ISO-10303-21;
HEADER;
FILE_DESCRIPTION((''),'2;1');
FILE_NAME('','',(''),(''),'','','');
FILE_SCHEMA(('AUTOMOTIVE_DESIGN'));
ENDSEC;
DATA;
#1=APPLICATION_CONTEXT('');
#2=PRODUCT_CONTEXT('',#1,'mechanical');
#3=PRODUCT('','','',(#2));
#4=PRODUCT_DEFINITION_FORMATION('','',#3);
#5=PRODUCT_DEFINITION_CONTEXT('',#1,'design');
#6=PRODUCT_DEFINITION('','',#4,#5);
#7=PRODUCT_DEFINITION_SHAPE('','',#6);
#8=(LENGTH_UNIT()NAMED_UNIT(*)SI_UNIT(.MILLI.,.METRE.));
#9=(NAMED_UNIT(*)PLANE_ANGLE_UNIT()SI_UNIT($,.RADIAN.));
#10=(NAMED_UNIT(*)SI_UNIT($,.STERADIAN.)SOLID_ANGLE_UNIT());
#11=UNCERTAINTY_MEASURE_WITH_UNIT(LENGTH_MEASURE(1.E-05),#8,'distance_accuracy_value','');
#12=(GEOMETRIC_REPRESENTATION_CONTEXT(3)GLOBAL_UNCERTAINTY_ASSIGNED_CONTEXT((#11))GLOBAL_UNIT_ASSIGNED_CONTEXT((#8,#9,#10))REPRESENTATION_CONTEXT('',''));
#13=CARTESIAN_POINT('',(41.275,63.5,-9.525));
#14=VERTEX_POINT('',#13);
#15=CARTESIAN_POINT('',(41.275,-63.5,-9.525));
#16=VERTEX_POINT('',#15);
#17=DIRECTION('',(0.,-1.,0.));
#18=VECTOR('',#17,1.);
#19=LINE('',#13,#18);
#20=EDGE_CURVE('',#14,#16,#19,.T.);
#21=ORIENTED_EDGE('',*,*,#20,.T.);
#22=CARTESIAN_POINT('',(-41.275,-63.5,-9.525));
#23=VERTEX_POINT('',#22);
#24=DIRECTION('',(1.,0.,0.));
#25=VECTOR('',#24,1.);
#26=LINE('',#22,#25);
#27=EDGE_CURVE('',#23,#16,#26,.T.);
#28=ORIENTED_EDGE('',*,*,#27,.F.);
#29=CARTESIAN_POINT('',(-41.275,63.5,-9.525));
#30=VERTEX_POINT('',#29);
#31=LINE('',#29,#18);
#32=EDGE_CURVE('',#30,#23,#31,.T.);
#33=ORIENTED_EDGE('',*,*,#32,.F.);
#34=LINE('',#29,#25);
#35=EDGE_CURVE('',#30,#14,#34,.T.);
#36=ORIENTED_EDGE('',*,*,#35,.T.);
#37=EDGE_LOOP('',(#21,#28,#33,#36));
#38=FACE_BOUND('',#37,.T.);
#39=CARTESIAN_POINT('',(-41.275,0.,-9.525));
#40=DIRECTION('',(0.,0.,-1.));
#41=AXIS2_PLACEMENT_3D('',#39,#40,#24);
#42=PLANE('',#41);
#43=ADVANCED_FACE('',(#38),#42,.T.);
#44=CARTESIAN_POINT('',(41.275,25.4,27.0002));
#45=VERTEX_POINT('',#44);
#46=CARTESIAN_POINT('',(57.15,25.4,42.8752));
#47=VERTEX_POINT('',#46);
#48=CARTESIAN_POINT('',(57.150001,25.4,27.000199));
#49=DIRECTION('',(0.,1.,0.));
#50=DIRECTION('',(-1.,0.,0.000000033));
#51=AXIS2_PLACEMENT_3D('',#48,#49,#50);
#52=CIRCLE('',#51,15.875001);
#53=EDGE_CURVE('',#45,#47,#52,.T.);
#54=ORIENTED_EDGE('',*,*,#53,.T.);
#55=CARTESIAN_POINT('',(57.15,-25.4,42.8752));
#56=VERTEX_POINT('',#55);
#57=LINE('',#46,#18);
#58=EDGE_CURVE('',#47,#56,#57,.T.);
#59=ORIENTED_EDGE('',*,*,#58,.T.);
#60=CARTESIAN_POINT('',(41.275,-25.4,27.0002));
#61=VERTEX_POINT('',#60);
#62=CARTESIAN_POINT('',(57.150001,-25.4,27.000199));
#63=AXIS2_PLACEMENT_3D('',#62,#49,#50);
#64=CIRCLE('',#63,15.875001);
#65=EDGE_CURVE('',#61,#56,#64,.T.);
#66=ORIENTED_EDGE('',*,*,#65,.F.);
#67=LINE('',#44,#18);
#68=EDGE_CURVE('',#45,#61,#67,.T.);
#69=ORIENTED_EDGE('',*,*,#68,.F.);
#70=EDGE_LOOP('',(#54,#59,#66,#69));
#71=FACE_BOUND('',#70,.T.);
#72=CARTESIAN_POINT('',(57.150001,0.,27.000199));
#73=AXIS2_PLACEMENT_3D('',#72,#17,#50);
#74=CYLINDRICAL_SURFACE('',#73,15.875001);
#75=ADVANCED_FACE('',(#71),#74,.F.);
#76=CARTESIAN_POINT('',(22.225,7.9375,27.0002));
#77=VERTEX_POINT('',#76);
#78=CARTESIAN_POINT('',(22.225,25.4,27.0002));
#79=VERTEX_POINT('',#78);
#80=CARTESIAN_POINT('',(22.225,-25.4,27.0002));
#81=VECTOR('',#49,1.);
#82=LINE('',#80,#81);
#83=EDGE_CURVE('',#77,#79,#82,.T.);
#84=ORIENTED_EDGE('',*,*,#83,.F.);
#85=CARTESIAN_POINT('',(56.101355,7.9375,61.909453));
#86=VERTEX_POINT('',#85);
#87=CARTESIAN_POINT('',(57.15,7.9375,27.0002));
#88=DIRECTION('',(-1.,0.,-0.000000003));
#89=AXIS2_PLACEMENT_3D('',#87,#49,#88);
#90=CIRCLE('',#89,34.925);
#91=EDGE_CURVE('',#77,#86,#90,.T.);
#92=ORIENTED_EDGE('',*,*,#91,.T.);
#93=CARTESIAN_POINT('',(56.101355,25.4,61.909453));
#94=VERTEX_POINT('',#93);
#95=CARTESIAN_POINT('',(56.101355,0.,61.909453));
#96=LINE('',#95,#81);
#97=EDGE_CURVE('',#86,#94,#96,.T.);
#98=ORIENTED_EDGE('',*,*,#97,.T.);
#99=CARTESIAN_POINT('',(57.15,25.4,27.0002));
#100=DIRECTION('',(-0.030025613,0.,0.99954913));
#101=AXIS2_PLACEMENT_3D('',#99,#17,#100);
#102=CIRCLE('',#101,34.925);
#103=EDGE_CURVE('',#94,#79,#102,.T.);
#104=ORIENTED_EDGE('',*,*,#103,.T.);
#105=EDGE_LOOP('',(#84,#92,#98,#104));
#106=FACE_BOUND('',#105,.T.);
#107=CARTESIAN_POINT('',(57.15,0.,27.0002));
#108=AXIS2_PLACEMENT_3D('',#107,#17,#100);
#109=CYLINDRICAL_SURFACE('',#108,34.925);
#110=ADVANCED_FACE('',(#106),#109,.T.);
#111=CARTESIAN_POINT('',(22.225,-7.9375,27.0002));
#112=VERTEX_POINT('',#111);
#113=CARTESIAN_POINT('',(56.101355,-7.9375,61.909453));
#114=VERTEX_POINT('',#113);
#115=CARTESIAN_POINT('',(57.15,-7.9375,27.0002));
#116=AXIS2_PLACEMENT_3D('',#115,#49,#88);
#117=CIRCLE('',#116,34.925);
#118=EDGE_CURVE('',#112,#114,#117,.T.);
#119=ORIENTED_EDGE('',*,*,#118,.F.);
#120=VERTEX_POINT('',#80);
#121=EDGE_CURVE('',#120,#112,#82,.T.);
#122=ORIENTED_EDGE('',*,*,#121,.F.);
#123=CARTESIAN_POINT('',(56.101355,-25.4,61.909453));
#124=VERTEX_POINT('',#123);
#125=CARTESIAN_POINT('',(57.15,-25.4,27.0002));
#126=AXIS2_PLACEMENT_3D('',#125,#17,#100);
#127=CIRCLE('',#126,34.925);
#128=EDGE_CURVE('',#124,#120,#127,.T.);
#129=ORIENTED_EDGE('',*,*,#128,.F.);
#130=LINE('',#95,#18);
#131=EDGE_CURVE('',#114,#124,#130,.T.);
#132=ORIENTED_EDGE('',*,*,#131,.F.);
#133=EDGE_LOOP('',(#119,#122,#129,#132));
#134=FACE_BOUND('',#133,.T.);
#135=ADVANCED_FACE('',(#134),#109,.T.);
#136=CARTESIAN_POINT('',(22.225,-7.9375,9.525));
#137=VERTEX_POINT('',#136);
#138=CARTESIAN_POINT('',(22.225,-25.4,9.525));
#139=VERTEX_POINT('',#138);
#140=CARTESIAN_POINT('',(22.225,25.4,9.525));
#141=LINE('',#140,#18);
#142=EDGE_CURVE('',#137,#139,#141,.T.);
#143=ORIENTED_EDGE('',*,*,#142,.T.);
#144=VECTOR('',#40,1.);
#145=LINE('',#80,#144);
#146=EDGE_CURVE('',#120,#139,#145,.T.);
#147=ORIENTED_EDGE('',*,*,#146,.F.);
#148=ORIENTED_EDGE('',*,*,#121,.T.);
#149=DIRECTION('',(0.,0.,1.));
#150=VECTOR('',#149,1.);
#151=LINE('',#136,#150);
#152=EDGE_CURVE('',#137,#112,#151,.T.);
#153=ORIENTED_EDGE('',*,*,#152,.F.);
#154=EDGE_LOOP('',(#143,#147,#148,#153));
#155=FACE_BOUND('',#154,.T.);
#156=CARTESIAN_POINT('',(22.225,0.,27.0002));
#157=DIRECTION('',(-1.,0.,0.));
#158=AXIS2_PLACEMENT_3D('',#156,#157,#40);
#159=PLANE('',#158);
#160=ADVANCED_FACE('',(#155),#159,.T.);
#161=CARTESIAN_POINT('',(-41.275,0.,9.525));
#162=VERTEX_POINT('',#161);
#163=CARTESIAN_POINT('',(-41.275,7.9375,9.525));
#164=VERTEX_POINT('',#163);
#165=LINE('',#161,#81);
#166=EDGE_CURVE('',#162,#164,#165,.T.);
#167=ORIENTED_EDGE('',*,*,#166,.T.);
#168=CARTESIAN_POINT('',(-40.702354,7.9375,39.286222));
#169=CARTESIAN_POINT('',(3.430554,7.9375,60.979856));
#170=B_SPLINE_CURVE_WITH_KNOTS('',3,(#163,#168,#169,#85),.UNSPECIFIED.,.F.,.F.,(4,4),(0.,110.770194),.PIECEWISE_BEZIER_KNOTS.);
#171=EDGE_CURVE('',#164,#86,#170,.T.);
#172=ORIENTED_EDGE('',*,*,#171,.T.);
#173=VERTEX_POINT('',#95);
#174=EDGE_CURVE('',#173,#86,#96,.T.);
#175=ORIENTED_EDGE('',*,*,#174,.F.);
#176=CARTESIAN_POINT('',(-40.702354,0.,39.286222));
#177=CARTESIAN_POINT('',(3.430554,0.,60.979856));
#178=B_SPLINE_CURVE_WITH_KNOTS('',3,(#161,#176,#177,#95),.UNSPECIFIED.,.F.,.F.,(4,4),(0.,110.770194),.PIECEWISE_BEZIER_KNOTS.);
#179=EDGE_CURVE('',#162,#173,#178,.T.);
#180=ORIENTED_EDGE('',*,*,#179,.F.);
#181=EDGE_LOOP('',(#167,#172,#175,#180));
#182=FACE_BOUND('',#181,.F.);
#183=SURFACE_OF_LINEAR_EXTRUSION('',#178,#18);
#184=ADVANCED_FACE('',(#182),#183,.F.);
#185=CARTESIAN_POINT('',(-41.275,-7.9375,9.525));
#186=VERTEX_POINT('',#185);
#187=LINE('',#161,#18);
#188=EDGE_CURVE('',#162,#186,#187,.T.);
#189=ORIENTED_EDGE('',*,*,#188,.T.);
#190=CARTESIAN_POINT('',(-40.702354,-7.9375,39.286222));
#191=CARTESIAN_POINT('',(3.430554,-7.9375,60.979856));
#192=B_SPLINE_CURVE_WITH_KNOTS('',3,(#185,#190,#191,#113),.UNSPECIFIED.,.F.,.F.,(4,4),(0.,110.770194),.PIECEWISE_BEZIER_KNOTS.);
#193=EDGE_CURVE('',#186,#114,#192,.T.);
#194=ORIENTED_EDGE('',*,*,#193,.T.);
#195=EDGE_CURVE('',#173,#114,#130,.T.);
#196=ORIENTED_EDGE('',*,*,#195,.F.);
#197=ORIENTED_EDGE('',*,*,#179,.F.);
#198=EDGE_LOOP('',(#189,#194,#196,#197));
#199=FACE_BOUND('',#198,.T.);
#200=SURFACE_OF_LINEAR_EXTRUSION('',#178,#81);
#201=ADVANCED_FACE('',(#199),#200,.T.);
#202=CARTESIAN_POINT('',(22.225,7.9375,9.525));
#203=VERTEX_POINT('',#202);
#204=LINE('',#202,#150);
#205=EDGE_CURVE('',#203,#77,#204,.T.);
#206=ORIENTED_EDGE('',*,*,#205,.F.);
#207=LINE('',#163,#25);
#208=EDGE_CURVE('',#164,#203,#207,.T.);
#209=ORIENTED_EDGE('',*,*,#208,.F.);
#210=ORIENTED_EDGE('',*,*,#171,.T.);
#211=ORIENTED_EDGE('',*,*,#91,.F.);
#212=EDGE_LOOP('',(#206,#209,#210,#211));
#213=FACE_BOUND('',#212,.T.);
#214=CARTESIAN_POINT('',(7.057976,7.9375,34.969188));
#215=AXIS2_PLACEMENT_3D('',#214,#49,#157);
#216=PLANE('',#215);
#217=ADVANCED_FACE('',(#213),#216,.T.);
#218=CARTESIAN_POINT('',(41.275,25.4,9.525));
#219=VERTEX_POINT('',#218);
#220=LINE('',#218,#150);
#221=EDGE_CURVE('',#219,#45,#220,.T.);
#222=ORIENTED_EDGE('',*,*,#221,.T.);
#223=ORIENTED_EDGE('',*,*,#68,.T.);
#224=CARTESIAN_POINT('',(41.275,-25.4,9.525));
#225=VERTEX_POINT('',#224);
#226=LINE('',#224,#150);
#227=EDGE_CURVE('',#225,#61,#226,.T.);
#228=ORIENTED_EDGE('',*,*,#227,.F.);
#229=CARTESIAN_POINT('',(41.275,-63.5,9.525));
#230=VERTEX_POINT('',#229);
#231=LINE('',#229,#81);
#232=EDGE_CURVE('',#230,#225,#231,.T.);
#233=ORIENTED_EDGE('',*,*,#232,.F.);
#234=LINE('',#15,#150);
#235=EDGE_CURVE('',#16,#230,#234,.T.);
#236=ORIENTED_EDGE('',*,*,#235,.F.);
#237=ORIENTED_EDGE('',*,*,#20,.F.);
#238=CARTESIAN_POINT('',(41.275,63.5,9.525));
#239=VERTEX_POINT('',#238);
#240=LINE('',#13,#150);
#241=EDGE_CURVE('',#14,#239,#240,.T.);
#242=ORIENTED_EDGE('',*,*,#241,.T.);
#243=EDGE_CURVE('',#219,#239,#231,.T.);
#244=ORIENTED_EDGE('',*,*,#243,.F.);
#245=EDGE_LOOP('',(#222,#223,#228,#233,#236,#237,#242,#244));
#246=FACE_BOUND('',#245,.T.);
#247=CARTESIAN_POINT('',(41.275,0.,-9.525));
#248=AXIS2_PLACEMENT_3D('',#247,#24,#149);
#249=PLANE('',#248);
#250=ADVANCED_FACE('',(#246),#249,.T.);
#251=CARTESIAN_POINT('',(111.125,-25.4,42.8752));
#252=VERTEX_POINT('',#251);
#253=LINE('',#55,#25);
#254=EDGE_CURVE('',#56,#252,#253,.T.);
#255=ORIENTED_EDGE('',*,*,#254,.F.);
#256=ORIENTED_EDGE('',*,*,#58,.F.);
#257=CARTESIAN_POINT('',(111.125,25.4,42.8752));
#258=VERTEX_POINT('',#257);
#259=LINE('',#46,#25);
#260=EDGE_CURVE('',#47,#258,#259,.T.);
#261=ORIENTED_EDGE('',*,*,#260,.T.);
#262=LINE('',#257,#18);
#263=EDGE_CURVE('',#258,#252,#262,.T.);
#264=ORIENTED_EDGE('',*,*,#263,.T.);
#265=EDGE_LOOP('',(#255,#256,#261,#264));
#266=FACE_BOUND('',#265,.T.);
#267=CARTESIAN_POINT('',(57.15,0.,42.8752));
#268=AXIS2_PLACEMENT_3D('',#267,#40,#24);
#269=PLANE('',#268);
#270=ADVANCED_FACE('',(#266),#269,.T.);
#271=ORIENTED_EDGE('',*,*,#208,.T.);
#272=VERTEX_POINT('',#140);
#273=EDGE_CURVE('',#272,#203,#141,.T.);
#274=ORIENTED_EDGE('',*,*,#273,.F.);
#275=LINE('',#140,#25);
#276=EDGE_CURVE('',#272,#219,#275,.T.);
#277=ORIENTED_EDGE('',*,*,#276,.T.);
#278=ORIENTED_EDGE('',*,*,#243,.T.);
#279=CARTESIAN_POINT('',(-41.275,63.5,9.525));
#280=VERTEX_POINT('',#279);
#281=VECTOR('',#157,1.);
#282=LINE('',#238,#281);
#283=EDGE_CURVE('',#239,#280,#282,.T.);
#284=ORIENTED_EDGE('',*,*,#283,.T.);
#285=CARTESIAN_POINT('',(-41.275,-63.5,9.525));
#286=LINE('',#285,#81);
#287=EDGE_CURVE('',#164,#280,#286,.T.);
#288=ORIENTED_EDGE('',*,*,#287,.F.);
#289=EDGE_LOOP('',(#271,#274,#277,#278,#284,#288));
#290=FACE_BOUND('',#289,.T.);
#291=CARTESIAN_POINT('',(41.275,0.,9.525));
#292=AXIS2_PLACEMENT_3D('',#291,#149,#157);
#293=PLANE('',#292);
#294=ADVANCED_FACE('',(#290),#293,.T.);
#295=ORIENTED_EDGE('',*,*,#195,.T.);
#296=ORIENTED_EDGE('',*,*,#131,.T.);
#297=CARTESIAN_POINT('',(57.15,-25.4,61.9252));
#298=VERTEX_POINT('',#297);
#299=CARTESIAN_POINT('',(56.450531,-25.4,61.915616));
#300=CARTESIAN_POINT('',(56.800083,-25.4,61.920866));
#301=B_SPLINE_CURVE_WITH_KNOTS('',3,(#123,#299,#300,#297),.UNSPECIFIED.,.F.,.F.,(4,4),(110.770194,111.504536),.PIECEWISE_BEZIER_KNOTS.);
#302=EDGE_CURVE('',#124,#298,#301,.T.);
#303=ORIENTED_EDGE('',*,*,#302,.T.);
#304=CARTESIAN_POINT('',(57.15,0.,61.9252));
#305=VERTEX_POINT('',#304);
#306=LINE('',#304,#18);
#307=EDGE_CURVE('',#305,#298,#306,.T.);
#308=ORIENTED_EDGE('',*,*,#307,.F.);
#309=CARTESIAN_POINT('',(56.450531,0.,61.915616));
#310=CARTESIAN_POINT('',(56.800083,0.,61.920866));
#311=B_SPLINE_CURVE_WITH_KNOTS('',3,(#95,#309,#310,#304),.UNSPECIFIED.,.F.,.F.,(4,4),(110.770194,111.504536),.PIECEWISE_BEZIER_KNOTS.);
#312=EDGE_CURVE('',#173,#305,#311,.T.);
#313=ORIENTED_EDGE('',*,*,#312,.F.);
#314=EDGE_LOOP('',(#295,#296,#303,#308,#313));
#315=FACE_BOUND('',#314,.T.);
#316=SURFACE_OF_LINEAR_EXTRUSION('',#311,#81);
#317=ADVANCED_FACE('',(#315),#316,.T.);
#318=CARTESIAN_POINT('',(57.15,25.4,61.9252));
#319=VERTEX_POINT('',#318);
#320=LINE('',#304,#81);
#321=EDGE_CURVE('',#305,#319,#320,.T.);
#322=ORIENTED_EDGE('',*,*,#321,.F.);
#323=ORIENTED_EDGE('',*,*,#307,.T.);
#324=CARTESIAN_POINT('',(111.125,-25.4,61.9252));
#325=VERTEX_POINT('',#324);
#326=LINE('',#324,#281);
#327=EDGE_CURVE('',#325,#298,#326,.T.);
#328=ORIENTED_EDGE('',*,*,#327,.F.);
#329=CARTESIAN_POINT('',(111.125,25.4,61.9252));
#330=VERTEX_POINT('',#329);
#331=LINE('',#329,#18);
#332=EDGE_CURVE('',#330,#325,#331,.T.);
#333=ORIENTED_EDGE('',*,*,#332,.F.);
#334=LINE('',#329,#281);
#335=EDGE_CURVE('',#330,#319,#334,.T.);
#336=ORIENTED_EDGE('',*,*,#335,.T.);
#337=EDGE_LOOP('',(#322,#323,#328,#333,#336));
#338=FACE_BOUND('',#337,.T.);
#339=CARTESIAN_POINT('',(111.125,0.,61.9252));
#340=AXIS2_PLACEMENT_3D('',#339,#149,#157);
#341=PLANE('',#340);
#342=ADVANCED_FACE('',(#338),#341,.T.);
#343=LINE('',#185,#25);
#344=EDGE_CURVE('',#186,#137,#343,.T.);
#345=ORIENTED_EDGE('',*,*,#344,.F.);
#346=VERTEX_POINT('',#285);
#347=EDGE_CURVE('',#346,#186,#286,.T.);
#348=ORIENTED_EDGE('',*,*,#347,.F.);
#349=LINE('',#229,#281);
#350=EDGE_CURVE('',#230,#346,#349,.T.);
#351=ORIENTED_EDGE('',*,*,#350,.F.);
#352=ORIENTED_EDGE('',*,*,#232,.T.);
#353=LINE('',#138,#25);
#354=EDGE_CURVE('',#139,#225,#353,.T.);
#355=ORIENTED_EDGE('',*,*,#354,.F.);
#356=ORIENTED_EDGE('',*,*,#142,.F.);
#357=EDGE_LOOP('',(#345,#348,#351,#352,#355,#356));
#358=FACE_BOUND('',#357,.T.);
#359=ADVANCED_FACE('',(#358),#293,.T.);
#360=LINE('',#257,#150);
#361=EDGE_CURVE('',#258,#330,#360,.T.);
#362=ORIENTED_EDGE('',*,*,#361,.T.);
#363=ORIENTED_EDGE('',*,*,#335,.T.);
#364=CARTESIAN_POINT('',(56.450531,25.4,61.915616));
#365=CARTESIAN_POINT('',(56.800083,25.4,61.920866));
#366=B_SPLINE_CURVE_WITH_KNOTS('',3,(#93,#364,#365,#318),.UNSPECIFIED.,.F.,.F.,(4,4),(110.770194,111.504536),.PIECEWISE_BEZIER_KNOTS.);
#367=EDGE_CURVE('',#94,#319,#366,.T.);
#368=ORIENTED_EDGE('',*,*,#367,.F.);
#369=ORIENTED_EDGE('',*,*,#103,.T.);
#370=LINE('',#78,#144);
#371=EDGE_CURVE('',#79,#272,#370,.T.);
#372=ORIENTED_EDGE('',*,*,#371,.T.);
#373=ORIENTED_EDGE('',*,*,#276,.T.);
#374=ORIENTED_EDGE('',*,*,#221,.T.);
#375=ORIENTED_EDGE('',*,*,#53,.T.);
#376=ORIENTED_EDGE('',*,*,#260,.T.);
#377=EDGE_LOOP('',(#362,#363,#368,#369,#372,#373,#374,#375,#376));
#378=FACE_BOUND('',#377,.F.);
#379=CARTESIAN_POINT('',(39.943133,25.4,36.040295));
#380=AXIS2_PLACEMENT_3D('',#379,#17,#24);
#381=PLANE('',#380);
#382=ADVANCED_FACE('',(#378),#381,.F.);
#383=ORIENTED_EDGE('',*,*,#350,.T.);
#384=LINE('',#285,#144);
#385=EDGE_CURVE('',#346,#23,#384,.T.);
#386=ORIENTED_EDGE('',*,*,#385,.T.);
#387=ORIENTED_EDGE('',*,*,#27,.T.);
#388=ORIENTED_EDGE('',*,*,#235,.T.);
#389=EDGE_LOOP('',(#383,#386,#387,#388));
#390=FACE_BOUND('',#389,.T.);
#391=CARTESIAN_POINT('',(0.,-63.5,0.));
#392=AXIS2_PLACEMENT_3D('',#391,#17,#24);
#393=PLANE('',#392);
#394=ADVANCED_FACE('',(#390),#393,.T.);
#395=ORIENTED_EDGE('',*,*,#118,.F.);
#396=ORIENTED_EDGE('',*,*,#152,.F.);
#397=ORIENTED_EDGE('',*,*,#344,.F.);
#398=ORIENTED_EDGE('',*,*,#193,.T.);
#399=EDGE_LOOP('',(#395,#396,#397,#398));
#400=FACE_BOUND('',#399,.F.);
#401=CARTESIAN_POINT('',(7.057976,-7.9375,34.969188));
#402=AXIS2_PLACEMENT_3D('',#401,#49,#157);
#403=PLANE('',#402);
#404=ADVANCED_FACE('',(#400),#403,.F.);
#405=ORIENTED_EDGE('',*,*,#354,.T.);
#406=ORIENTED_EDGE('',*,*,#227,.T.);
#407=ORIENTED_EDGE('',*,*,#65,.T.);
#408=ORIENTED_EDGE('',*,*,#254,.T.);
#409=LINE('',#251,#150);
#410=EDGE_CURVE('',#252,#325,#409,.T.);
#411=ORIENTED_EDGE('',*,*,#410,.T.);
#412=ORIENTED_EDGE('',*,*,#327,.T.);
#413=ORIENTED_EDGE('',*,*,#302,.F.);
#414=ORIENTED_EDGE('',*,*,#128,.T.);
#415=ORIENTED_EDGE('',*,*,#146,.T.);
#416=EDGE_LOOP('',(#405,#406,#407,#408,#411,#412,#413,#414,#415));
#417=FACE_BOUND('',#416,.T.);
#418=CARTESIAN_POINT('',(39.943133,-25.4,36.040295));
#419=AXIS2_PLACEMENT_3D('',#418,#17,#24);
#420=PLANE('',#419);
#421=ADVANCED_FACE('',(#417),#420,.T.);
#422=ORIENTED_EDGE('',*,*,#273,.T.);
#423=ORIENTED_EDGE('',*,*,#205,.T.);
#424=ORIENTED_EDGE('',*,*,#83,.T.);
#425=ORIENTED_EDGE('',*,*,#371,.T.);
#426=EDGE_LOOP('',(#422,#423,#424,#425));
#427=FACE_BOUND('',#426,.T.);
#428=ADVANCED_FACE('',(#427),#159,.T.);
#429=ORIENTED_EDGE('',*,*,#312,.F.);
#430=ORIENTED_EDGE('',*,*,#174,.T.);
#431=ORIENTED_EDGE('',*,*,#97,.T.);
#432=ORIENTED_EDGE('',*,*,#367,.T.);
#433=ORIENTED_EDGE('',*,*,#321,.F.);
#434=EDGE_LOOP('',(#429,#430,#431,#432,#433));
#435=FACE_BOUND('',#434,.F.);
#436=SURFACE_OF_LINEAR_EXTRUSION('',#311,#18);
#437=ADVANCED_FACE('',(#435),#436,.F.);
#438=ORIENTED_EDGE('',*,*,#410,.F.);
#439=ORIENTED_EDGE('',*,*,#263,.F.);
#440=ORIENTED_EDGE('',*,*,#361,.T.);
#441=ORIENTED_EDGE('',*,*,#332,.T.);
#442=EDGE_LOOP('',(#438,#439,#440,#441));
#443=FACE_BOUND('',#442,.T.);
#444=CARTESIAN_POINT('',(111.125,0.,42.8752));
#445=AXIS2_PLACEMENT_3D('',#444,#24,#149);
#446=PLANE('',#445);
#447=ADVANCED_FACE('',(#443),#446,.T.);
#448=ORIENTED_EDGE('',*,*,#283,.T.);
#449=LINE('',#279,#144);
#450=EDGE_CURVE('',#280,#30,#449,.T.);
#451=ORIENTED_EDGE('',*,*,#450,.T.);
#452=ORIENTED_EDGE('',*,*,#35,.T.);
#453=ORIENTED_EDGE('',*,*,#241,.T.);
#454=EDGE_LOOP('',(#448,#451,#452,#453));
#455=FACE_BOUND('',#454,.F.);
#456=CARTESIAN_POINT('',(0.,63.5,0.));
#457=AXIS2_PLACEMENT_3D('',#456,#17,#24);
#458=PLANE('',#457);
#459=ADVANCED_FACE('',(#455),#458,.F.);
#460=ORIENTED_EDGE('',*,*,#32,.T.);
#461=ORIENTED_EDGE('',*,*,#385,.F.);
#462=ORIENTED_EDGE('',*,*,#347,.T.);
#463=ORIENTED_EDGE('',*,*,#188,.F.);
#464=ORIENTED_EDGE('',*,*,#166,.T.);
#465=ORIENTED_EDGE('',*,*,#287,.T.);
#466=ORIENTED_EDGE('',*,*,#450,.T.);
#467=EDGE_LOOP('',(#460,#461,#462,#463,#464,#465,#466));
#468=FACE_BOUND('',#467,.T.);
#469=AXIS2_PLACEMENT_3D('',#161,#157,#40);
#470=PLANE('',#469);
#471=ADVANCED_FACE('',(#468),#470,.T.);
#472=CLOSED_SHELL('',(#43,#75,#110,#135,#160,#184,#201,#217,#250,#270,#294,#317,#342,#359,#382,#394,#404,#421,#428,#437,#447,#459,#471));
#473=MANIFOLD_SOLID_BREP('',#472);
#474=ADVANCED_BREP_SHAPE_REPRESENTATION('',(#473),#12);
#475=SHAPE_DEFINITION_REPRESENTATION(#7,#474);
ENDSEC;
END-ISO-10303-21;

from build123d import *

# Parameters (mm, degrees)
F1_DEPTH = 63.5
F2_DEPTH = 25.4
F3_DEPTH = 7.9375


with BuildPart() as f1:
    # F0 (on Front) → F1 (new body, symmetric)
    with BuildSketch(Plane.XZ):
        Polygon((22.225, 9.525), (-41.275, 9.525), (-41.275, -9.525), (41.275, -9.525), (41.275, 9.525), align=None)
    extrude(amount=F1_DEPTH, both=True)

    # F0 (on Front) → F2 (join, symmetric)
    with BuildSketch(Plane.XZ):
        with BuildLine():
            Line((22.225, 27.0002), (22.225, 9.525))
            Line((22.225, 9.525), (41.275, 9.525))
            Line((41.275, 9.525), (41.275, 27.0002))
            ThreePointArc((41.275, 27.0002), (45.92468, 38.22552), (57.15, 42.8752))
            Line((57.15, 42.8752), (60.325, 42.8752))
            Line((60.325, 42.8752), (60.325, 61.9252))
            Line((60.325, 61.9252), (57.15, 61.9252))
            add(Edge.make_bspline(
                [(56.101355, 61.909453), (56.450531, 61.915616), (56.800083, 61.920866), (57.15, 61.9252)],
                knots=[110.770194, 110.770194, 110.770194, 110.770194, 111.504536, 111.504536, 111.504536, 111.504536], degree=3))
            ThreePointArc((56.101355, 61.909453), (32.086286, 51.322327), (22.225, 27.0002))
        make_face()
        Polygon((85.725, 61.9252), (60.325, 61.9252), (60.325, 42.8752), (85.725, 42.8752), (85.725, 52.3875), align=None)
        Polygon((111.125, 61.9252), (85.725, 61.9252), (85.725, 52.3875), (85.725, 42.8752), (111.125, 42.8752), align=None)
    extrude(amount=F2_DEPTH, both=True)

    # F0 (on Front) → F3 (join, symmetric)
    with BuildSketch(Plane.XZ):
        with BuildLine():
            add(Edge.make_bspline(
                [(-41.275, 9.525), (-40.702354, 39.286222), (3.430554, 60.979856), (56.101355, 61.909453)],
                knots=[0, 0, 0, 0, 110.770194, 110.770194, 110.770194, 110.770194], degree=3))
            Line((-41.275, 9.525), (22.225, 9.525))
            Line((22.225, 9.525), (22.225, 27.0002))
            ThreePointArc((22.225, 27.0002), (32.086286, 51.322327), (56.101355, 61.909453))
        make_face()
    extrude(amount=F3_DEPTH, both=True)


solid = f1.part
